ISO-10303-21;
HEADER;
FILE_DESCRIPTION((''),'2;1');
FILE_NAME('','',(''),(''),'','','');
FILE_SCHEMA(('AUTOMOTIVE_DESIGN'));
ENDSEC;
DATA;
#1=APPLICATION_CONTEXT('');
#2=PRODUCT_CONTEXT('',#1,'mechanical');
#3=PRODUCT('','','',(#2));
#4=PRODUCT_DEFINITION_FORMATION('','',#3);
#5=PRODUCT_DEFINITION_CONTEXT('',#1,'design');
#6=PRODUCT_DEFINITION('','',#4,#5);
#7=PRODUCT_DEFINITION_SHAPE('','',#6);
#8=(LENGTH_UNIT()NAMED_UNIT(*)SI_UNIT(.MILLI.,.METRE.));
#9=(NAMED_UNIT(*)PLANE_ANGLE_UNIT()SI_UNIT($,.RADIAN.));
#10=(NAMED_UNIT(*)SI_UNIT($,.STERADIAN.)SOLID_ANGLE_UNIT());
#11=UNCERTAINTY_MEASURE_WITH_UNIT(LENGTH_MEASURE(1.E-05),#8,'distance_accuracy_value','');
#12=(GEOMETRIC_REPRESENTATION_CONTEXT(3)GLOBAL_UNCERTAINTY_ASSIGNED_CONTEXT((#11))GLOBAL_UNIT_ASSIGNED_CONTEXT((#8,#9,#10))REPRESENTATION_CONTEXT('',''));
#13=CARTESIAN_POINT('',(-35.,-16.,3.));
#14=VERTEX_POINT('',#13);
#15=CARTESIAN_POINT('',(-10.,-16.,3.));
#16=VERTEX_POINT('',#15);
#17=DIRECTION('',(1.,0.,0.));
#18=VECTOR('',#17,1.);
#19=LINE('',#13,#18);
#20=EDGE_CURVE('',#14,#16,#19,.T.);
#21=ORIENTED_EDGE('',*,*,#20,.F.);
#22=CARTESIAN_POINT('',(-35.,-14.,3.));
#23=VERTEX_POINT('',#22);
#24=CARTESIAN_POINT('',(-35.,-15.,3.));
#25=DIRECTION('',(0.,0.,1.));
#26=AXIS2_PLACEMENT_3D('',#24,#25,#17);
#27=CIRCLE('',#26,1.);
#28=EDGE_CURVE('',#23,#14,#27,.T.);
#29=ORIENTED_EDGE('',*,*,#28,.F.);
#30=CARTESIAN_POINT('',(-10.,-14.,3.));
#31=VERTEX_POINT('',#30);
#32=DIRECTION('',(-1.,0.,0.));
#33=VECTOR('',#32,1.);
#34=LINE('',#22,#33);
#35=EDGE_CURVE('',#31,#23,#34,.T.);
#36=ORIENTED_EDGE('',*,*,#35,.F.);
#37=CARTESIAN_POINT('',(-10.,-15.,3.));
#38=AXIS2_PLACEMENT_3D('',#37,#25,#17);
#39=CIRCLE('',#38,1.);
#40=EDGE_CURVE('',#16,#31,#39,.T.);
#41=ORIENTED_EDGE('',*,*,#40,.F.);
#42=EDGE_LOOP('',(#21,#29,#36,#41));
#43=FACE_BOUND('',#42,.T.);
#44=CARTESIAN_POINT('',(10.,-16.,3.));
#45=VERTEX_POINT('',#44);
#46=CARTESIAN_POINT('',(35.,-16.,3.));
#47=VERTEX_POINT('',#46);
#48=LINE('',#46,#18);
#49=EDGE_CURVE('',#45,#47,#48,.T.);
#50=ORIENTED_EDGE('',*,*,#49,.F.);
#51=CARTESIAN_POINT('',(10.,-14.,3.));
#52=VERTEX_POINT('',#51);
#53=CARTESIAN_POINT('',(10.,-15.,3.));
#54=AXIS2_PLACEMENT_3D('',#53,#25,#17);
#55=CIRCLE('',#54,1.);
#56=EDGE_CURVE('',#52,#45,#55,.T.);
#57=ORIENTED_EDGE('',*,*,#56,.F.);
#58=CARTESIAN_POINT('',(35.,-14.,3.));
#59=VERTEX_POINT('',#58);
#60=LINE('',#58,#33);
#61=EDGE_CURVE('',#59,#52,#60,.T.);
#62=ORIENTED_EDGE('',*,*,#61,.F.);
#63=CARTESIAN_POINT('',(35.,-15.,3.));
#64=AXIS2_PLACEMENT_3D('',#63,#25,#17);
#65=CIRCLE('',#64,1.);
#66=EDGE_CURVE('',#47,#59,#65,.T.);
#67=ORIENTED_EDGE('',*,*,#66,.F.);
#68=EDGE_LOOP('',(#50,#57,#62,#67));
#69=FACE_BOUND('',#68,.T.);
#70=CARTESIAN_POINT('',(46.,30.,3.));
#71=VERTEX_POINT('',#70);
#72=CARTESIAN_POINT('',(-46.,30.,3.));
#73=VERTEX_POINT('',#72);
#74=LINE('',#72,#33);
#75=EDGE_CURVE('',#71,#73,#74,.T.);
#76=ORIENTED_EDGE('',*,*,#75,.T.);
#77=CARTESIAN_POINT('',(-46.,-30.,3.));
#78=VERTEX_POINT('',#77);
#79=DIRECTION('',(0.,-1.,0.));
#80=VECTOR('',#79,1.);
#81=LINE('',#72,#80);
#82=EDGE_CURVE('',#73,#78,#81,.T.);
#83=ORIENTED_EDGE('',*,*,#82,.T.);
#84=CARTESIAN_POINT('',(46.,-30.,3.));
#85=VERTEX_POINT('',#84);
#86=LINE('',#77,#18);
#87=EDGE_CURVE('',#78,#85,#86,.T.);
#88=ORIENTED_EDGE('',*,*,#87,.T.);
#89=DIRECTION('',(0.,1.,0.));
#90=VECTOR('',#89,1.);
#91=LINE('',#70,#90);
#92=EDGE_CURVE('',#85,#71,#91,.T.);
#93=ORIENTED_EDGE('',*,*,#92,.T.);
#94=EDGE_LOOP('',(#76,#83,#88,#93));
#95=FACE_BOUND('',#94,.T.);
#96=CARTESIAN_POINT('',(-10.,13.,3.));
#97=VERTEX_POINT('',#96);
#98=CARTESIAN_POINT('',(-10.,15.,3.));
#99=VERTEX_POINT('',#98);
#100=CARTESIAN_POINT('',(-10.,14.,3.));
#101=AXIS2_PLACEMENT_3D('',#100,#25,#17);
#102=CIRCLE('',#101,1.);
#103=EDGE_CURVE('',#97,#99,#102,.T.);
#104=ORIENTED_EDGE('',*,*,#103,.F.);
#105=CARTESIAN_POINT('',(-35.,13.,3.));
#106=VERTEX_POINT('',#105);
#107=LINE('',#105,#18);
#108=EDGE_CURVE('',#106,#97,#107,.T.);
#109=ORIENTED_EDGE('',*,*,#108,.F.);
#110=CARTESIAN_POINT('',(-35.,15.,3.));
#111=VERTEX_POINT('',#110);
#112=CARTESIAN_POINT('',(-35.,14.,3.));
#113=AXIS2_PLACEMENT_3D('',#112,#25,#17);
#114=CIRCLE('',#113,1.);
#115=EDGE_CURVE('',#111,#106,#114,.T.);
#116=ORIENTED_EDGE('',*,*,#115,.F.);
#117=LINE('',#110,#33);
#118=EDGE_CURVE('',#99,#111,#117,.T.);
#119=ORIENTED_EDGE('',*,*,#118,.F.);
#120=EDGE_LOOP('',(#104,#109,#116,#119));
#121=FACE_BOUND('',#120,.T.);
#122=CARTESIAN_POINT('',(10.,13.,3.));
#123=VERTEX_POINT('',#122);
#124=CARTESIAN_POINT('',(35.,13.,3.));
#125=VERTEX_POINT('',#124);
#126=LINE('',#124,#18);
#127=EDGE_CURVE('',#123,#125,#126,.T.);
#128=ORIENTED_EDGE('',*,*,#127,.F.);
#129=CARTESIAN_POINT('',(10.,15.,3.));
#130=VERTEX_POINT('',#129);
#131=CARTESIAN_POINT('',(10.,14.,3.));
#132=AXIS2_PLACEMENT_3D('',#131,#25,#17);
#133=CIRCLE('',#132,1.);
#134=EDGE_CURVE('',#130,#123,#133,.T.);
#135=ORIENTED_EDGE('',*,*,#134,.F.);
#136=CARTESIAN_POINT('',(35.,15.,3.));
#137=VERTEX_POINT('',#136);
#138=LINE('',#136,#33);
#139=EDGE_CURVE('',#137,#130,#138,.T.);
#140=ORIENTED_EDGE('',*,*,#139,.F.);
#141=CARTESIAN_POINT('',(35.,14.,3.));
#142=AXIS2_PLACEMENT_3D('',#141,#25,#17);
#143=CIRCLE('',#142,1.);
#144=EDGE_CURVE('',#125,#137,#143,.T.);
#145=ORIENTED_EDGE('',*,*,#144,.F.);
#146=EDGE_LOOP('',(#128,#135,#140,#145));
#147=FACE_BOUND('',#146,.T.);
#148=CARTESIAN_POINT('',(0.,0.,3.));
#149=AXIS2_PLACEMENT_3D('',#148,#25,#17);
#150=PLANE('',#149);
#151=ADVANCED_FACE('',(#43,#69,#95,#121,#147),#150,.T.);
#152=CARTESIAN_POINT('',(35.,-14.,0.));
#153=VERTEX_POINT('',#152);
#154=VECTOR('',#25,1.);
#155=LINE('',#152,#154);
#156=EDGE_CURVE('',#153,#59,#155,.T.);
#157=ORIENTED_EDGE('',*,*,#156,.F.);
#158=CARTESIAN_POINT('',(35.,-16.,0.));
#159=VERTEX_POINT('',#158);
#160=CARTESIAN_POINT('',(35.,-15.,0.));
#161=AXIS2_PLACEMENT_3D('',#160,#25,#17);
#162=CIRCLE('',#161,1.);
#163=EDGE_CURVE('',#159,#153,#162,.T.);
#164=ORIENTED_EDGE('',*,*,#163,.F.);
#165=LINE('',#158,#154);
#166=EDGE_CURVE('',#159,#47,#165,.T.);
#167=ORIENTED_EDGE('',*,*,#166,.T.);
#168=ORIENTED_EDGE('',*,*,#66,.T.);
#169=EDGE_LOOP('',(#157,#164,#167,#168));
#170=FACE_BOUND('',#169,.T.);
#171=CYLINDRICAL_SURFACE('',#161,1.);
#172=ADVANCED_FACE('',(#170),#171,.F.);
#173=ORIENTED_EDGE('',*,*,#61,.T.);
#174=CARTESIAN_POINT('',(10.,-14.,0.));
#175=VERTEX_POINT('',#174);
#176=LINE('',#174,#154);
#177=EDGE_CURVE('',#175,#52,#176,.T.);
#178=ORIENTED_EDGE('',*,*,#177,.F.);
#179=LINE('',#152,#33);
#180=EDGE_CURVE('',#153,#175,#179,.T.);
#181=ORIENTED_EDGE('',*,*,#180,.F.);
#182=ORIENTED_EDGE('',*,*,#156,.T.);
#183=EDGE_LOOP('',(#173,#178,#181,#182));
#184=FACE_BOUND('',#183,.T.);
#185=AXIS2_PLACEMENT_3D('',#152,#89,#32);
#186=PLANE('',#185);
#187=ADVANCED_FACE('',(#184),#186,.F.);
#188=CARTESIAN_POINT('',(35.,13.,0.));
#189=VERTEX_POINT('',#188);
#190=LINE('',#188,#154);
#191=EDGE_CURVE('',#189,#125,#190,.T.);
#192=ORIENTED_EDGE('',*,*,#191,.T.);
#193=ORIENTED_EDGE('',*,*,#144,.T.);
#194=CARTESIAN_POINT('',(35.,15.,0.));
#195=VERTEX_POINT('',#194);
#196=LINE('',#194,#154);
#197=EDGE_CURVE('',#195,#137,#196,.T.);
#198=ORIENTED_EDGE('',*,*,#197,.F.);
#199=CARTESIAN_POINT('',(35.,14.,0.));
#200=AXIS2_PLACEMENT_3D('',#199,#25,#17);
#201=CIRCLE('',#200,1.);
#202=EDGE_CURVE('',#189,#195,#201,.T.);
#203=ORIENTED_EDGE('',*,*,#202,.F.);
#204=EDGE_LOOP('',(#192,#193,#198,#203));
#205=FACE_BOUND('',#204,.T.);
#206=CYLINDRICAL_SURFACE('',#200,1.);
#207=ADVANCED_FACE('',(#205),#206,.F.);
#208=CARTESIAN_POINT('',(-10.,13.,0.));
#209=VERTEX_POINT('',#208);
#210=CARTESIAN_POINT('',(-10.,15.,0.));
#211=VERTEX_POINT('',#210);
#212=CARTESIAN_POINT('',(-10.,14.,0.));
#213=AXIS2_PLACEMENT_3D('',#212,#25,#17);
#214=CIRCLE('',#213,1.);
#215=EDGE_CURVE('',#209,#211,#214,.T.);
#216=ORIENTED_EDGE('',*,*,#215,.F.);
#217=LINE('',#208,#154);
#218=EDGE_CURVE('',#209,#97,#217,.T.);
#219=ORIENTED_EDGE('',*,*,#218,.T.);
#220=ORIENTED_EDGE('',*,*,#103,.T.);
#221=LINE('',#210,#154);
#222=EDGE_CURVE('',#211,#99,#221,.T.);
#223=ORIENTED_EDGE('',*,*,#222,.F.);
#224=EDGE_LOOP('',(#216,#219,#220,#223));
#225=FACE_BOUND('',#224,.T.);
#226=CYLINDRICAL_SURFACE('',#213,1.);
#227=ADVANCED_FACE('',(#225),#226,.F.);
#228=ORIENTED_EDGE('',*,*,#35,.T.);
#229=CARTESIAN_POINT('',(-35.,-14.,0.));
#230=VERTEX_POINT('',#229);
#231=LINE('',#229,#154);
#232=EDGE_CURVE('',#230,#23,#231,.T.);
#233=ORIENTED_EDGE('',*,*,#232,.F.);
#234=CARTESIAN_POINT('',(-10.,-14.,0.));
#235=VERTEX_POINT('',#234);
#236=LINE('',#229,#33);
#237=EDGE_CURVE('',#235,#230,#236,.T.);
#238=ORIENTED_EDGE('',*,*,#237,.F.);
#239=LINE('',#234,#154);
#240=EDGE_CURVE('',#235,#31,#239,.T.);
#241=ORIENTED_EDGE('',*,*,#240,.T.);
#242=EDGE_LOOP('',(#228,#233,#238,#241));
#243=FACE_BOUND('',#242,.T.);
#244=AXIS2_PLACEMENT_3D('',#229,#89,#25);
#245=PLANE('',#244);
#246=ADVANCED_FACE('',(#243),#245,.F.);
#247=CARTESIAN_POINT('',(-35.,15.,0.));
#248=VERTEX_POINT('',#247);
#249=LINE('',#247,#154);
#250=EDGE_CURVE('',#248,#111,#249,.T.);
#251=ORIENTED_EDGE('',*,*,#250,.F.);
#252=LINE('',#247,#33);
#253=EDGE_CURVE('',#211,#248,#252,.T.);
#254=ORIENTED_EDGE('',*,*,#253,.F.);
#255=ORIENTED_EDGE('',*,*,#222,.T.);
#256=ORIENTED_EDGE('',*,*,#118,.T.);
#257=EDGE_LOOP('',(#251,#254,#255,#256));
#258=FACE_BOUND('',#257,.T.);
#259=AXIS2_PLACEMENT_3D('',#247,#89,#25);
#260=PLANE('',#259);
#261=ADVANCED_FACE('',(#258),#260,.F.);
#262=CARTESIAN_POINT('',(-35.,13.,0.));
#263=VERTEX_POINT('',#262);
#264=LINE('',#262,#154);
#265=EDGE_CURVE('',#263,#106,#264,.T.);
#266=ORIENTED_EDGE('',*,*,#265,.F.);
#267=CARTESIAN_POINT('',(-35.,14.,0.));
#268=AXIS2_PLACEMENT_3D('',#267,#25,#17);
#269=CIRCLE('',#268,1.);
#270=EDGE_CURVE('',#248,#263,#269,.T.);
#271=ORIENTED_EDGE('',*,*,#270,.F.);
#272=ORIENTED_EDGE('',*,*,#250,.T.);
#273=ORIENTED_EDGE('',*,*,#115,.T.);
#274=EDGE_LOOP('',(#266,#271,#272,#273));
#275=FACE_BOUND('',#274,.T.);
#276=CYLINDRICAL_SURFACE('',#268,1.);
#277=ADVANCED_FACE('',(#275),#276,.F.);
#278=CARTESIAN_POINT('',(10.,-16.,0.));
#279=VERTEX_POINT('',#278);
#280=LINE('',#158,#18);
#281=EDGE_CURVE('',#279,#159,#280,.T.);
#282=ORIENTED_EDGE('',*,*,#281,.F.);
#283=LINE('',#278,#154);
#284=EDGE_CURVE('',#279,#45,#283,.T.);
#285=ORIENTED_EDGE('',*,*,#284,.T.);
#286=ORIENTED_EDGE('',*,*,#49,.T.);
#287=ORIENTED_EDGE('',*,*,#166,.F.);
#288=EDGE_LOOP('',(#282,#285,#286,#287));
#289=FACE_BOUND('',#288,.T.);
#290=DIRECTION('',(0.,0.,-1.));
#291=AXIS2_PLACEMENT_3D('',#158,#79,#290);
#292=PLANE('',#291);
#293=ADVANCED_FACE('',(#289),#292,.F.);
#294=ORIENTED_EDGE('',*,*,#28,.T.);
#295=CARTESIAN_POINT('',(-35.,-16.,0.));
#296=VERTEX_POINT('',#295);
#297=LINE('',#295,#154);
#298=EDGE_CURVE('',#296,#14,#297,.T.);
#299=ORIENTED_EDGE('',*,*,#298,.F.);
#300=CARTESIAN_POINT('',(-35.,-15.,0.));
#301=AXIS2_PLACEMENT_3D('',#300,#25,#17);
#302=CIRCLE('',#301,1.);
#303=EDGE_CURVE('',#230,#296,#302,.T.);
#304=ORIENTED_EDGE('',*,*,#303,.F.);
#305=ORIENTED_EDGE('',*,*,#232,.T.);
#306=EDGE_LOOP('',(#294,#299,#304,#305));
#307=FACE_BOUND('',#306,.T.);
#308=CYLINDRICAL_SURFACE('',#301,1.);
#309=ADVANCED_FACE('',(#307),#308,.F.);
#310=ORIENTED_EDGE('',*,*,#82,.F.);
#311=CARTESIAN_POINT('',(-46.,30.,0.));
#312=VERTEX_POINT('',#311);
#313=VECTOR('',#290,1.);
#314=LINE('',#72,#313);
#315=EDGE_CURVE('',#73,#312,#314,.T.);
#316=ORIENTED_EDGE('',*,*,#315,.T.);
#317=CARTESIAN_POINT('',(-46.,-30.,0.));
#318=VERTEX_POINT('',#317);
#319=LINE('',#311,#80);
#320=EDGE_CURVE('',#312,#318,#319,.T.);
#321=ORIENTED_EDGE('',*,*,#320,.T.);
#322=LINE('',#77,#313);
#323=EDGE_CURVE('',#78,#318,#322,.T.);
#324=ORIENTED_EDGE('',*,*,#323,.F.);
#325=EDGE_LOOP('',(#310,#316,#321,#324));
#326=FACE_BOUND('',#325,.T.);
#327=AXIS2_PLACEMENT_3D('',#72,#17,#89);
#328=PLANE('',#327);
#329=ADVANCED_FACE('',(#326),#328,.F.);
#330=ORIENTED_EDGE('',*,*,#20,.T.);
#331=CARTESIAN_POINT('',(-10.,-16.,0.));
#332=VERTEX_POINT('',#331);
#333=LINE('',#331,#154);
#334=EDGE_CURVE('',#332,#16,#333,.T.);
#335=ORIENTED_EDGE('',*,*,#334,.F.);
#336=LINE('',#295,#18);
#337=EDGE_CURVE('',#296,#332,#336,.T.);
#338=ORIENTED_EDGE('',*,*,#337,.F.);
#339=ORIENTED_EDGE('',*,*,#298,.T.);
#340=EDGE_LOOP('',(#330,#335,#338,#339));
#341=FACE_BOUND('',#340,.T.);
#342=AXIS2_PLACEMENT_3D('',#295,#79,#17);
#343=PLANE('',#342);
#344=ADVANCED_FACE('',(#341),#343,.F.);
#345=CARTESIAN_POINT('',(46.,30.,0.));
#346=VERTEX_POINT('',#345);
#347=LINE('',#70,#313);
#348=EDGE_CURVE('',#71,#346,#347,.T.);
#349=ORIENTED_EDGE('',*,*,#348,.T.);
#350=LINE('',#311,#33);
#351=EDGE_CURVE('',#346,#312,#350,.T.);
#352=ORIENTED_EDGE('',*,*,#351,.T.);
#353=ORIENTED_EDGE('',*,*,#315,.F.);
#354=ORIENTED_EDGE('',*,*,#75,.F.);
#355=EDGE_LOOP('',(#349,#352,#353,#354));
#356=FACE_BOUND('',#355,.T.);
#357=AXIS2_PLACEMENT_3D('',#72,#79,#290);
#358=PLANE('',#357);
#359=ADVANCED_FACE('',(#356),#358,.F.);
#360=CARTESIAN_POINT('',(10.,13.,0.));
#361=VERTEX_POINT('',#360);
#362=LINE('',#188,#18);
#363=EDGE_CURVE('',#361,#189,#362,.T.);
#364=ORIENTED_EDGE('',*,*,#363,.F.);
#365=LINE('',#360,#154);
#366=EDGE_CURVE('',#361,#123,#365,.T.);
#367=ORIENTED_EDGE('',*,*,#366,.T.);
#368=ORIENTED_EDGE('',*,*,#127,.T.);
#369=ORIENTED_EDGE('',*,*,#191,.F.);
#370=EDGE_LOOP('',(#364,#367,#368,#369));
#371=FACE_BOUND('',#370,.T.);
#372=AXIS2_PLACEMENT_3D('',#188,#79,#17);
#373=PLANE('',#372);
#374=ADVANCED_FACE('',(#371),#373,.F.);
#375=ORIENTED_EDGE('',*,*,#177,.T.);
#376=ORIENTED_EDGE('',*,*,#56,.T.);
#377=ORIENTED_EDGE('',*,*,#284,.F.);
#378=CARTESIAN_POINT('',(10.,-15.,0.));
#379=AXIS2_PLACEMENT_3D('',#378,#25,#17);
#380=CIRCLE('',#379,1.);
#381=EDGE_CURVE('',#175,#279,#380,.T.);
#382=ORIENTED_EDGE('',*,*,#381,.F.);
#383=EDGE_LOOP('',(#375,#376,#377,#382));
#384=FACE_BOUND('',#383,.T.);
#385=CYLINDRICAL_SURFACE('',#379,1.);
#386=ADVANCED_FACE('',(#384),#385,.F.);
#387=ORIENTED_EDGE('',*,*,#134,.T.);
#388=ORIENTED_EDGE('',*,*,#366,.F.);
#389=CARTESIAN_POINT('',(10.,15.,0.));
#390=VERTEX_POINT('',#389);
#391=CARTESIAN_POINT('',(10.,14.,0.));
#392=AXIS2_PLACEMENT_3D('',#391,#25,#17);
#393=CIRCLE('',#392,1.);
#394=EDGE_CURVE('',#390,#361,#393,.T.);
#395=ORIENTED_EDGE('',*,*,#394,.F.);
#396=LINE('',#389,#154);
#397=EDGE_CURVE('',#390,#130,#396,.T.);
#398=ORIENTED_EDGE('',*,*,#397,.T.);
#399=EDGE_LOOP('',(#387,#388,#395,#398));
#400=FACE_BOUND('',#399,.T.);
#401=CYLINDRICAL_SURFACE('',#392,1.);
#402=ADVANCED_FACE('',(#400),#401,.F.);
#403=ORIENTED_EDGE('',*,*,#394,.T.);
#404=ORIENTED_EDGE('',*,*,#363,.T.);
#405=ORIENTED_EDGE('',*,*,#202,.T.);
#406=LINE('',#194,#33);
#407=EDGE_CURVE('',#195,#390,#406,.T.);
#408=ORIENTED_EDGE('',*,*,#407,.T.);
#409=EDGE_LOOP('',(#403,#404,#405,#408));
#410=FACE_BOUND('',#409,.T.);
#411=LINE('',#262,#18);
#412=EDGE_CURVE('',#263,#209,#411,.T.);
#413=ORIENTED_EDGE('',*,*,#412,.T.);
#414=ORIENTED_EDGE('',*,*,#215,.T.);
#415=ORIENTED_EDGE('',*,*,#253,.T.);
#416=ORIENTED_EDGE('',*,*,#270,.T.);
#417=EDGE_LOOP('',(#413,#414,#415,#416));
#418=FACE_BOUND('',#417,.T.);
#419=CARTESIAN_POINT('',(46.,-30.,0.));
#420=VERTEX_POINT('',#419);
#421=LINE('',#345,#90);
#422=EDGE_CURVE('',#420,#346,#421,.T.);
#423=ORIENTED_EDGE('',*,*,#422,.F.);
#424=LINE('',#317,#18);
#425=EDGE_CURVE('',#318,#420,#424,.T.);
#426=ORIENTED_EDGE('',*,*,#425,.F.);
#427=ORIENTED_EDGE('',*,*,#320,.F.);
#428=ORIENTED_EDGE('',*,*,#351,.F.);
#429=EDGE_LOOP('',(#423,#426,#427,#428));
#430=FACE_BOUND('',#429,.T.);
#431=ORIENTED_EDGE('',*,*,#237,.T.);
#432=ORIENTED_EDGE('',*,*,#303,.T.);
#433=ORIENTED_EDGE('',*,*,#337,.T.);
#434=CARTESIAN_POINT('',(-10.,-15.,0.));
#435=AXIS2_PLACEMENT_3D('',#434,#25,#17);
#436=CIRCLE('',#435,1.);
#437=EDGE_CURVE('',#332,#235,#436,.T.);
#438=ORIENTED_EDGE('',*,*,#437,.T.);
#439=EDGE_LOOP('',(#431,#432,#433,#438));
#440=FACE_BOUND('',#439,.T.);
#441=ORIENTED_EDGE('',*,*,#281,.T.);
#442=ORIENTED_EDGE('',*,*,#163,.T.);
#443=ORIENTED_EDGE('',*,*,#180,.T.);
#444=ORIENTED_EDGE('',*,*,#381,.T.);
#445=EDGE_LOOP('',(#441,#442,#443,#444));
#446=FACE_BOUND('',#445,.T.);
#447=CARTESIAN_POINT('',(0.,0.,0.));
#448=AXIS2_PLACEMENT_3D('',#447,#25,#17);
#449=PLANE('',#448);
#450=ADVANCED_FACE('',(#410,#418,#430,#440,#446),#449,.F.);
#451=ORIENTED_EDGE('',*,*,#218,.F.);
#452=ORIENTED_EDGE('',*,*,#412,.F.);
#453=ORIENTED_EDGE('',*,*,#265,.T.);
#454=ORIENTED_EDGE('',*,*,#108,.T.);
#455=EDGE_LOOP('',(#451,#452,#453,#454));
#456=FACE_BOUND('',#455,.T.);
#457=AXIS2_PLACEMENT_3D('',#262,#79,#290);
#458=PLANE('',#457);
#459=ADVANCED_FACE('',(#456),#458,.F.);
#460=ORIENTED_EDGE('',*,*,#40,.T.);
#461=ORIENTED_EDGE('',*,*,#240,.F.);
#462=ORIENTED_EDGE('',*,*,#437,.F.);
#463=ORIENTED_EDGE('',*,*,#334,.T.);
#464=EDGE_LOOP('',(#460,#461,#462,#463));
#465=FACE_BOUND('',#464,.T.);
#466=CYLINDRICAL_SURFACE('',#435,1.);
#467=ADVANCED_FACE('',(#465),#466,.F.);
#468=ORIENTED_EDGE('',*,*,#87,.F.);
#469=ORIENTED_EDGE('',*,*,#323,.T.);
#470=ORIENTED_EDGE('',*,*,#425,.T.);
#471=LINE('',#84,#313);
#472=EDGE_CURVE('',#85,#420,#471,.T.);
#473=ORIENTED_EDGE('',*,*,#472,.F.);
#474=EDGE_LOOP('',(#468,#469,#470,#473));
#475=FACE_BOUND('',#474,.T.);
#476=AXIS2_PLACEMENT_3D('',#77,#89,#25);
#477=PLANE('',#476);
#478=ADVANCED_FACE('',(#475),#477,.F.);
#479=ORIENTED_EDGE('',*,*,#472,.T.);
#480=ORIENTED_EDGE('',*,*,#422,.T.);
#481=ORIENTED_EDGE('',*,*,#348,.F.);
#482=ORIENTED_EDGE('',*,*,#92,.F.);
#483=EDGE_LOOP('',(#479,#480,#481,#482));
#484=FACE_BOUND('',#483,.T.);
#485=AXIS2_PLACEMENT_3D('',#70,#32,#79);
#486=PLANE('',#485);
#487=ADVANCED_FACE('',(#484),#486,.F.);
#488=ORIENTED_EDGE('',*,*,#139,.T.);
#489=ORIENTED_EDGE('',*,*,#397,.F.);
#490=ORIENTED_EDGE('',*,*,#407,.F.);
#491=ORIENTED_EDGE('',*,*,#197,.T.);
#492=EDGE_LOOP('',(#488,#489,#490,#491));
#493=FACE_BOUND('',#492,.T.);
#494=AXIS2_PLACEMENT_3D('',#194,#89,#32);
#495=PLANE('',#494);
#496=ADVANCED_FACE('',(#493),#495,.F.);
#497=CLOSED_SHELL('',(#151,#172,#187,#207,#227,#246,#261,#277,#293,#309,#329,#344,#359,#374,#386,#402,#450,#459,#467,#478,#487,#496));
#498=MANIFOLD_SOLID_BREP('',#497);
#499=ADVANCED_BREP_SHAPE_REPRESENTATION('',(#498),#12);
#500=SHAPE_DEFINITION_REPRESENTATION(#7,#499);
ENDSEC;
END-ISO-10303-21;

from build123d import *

# Parameters (mm, degrees)
SKETCH1_W           = 92
SKETCH1_H           = 60
BOSS_EXTRUDE1_DEPTH = 3
CUT_EXTRUDE1_DEPTH  = 3


with BuildPart() as part:
    # Sketch1 → Boss-Extrude1 (new body)
    with BuildSketch(Plane.XY):
        Rectangle(SKETCH1_W, SKETCH1_H)
    extrude(amount=BOSS_EXTRUDE1_DEPTH)

    # Sketch2 → Cut-Extrude1 (cut)
    with BuildSketch(Plane.XY.offset(3)):
        with BuildLine():
            Line((-35, 15), (-10, 15))
            ThreePointArc((-10, 15), (-9, 14), (-10, 13))
            Line((-10, 13), (-35, 13))
            ThreePointArc((-35, 13), (-36, 14), (-35, 15))
        make_face()
        with BuildLine():
            Line((-35, -14), (-10, -14))
            ThreePointArc((-10, -14), (-9, -15), (-10, -16))
            Line((-10, -16), (-35, -16))
            ThreePointArc((-35, -16), (-36, -15), (-35, -14))
        make_face()
        with BuildLine():
            Line((35, 13), (10, 13))
            ThreePointArc((10, 13), (9, 14), (10, 15))
            Line((10, 15), (35, 15))
            ThreePointArc((35, 15), (36, 14), (35, 13))
        make_face()
        with BuildLine():
            Line((35, -16), (10, -16))
            ThreePointArc((10, -16), (9, -15), (10, -14))
            Line((10, -14), (35, -14))
            ThreePointArc((35, -14), (36, -15), (35, -16))
        make_face()
    extrude(amount=-CUT_EXTRUDE1_DEPTH, mode=Mode.SUBTRACT)


solid = part.part
